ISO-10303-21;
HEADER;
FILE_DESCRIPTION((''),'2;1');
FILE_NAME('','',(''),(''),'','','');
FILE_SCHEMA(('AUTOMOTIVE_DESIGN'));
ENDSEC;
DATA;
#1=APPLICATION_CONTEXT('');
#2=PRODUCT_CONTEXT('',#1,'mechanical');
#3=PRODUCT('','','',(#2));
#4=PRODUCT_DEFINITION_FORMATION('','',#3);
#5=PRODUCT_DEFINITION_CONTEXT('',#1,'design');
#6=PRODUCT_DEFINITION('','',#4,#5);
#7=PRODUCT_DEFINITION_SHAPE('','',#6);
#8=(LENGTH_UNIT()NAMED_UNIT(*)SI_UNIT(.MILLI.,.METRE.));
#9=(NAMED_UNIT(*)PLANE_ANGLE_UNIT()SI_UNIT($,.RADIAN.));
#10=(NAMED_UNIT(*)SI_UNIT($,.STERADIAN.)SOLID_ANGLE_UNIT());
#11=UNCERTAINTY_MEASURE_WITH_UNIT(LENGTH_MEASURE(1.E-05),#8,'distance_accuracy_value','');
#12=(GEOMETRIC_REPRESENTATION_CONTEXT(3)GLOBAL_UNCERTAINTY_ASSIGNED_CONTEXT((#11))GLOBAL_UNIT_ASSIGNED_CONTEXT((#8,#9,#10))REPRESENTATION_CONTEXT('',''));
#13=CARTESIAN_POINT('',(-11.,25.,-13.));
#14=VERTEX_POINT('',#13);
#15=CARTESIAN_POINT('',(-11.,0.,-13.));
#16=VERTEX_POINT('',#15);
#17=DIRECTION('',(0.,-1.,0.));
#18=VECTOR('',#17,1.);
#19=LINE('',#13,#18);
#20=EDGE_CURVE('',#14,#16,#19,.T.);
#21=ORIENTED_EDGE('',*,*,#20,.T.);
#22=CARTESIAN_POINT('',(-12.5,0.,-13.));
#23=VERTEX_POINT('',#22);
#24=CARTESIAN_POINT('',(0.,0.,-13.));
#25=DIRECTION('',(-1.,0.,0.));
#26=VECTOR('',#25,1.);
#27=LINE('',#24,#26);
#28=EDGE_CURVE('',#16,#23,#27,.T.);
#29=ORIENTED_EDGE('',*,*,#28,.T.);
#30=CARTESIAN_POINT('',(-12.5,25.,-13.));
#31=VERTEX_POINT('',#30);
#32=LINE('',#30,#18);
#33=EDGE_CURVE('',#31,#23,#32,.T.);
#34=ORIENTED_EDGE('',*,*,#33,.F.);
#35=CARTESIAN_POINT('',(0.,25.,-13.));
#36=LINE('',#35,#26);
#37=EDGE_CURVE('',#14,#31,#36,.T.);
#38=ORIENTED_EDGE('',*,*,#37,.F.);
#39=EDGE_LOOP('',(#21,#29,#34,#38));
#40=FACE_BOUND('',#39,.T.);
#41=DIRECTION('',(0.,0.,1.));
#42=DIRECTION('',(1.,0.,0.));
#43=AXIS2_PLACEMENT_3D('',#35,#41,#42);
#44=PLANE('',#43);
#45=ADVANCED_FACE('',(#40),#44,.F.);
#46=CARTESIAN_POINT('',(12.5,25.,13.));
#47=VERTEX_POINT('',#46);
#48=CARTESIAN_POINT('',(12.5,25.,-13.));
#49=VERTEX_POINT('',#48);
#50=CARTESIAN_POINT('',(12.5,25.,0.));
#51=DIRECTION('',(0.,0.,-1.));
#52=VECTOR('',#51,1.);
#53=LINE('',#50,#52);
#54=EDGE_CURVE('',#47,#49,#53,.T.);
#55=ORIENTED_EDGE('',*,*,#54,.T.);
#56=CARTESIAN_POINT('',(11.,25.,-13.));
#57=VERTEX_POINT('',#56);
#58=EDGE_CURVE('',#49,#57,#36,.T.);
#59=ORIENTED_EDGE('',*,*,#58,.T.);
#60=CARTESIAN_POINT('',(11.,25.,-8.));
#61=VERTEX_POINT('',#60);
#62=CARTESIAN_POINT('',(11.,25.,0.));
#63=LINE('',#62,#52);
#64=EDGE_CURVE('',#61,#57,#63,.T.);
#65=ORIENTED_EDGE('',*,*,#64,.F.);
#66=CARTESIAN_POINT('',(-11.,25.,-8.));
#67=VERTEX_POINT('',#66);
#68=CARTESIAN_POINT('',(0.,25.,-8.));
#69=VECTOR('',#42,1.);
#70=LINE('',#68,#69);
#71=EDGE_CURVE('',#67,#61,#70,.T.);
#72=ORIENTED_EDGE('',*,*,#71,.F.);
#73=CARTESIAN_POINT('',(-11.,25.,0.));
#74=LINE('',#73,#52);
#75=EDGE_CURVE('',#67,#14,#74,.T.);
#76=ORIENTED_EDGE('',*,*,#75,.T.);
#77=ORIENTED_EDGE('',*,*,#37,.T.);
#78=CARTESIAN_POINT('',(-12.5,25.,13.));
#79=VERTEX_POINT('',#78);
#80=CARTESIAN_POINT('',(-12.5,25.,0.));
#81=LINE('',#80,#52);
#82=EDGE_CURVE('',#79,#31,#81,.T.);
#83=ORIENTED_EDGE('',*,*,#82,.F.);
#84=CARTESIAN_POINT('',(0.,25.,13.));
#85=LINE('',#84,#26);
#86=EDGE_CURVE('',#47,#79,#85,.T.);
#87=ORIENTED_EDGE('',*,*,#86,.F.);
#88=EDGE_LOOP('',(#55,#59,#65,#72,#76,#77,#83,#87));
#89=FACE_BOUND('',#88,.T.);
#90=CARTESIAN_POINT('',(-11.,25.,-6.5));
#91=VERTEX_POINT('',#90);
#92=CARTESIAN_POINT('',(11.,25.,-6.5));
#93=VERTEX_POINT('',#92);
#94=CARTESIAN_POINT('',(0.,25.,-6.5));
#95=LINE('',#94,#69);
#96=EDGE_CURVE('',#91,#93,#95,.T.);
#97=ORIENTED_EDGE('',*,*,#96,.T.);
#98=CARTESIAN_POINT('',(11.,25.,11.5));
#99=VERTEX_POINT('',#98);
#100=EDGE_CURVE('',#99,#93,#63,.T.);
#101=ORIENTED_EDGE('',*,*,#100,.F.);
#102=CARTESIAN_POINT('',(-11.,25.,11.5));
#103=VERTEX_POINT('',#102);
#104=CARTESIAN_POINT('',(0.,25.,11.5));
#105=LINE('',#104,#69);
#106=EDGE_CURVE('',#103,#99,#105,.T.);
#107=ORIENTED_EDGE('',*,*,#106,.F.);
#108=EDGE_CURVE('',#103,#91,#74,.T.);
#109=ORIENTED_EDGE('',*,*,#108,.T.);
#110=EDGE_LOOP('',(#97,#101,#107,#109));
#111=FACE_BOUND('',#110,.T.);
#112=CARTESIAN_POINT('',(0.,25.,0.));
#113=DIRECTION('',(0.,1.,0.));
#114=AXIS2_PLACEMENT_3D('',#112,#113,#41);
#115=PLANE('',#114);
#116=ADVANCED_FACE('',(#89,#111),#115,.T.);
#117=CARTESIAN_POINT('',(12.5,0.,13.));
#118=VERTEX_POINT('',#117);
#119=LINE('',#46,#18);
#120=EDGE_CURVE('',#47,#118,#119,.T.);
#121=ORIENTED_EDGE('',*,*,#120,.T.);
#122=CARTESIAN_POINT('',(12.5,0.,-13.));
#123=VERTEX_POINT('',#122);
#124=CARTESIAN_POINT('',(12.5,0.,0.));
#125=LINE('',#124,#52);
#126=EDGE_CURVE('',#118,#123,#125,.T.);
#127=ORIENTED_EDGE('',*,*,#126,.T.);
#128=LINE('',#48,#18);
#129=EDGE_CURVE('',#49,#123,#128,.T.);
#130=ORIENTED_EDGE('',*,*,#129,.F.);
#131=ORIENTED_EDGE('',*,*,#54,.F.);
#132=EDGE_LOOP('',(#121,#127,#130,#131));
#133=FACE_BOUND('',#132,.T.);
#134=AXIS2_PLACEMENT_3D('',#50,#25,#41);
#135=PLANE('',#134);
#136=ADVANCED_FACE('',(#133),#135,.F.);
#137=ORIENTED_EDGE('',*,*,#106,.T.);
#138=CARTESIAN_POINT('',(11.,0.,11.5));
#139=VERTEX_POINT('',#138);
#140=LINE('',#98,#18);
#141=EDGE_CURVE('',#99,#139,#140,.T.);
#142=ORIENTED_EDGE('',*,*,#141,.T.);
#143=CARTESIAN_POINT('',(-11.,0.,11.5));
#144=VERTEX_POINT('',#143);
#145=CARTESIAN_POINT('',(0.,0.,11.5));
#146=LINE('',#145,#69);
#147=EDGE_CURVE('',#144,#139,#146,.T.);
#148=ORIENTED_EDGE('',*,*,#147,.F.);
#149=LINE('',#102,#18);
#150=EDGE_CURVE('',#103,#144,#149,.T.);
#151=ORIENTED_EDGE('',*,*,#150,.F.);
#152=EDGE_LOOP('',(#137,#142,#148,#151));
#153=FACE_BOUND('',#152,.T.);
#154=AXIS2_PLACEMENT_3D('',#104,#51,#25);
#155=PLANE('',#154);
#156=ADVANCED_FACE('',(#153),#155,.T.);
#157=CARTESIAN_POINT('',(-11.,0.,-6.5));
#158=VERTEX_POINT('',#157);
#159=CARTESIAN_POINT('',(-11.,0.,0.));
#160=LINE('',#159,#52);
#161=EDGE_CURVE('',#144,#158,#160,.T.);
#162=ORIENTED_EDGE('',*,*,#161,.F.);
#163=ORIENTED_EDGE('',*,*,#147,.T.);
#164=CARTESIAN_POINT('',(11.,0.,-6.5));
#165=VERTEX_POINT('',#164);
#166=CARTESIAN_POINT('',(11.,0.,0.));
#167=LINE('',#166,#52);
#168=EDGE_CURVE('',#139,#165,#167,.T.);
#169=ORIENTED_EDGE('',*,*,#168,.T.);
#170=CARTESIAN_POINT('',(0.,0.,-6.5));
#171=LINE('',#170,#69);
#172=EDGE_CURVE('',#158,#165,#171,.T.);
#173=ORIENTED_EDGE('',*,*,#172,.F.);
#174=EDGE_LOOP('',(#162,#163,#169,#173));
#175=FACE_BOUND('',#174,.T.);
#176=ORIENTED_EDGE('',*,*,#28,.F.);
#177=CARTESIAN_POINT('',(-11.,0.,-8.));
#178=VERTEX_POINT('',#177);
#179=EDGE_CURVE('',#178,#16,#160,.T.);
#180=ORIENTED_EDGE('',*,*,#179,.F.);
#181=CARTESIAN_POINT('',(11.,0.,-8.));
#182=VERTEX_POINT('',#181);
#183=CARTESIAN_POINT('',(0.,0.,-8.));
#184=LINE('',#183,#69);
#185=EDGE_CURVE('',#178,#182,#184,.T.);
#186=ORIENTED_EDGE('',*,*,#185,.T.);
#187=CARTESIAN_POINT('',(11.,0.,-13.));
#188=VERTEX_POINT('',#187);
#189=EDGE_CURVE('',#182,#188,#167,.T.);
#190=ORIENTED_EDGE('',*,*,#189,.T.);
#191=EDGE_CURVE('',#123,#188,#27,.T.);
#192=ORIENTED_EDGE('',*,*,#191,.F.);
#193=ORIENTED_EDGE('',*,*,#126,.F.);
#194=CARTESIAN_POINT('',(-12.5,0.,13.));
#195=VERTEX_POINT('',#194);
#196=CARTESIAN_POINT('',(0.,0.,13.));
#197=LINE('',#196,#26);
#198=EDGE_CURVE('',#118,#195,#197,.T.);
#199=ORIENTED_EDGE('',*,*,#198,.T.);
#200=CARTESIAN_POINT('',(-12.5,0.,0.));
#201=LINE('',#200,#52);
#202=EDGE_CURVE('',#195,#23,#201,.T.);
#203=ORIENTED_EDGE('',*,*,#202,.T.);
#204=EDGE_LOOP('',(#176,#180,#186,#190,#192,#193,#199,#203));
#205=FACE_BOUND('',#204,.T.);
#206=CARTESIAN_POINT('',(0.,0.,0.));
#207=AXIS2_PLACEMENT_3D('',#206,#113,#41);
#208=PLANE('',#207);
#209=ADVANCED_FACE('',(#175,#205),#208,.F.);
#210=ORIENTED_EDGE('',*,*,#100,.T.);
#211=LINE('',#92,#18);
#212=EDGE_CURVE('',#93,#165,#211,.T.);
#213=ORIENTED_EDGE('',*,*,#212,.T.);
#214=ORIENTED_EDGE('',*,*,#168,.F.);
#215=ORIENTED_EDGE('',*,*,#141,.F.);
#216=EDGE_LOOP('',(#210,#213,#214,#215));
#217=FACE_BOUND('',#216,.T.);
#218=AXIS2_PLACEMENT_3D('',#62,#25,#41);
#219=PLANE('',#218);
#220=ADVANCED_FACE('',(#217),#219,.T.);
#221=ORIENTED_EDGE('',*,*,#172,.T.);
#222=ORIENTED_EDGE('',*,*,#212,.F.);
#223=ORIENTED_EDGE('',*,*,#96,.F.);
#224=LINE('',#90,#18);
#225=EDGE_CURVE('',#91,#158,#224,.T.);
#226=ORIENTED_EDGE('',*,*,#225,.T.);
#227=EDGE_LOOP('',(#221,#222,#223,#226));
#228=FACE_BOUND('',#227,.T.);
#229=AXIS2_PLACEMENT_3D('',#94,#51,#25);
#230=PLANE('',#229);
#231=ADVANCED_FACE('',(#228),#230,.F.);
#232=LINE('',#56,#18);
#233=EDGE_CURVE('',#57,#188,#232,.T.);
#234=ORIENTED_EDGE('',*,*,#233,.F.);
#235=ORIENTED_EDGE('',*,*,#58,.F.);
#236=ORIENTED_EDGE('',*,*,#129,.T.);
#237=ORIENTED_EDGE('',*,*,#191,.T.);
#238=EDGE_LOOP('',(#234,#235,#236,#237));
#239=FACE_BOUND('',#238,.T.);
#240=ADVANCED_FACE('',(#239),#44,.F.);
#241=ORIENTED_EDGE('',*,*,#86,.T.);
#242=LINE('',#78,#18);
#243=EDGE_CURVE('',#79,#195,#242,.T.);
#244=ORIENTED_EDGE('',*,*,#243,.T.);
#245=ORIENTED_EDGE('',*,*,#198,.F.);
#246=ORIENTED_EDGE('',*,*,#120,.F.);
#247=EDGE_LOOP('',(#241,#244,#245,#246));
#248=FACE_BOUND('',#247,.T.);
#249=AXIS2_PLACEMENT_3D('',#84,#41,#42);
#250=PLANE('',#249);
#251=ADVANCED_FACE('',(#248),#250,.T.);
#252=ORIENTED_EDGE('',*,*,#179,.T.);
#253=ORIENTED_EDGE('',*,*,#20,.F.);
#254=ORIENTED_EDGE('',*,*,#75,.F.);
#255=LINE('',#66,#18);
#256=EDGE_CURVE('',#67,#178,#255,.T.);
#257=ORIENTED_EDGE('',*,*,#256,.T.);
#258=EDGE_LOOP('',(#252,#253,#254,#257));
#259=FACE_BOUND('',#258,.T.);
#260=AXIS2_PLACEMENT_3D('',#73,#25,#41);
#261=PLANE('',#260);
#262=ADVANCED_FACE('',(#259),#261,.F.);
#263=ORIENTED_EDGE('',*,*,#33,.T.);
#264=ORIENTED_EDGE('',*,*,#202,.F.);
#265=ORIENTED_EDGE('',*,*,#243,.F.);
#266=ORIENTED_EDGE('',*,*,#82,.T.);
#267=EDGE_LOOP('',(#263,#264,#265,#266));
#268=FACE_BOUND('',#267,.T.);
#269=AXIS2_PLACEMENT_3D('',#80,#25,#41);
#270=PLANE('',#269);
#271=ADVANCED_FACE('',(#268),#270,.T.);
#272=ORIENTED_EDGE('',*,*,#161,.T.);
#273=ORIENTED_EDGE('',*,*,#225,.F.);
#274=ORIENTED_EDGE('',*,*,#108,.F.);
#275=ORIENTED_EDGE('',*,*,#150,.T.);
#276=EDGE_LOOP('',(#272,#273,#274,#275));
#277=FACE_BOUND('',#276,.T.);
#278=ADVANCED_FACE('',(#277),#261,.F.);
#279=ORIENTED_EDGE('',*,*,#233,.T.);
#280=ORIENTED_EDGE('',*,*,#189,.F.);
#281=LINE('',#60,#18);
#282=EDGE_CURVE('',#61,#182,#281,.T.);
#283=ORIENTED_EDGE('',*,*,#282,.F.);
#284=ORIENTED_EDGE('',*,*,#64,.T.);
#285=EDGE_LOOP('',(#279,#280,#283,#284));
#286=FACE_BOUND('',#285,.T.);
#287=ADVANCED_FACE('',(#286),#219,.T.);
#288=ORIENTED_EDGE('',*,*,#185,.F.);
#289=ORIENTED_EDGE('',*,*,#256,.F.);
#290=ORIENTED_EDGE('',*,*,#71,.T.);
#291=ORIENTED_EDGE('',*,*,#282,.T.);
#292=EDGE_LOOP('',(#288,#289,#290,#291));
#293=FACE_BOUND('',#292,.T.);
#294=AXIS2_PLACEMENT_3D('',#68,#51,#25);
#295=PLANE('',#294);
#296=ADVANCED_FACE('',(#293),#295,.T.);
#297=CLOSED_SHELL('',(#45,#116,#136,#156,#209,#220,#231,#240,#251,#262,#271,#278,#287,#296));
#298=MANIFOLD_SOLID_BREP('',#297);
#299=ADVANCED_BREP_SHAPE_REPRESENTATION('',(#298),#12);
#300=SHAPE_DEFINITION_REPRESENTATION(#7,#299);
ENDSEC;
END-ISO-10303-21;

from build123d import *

# Parameters (mm, degrees)
EXTRUDE_1_DEPTH = 25


with BuildPart() as part:
    # Эскиз1 → Бобышка-Вытянуть1 (new body)
    with BuildSketch(Plane(origin=(0, 0, 0), x_dir=(1, 0, 0), z_dir=(0, 1, 0))):
        Polygon((11, 8), (-11, 8), (-11, 13), (-12.5, 13), (-12.5, 6), (-12.5, -11), (-12.5, -11.5), (-12.5, -13), (-11, -13), (11, -13), (12.5, -13), (12.5, -11.5), (12.5, 6), (12.5, 6.5), (12.5, 8), (12.5, 13), (11, 13), align=None)
        Polygon((-11, 6.5), (11, 6.5), (11, 6), (11, -11), (11, -11.5), (-11, -11.5), (-11, -11), (-11, 6), align=None, mode=Mode.SUBTRACT)
    extrude(amount=EXTRUDE_1_DEPTH)


solid = part.part
